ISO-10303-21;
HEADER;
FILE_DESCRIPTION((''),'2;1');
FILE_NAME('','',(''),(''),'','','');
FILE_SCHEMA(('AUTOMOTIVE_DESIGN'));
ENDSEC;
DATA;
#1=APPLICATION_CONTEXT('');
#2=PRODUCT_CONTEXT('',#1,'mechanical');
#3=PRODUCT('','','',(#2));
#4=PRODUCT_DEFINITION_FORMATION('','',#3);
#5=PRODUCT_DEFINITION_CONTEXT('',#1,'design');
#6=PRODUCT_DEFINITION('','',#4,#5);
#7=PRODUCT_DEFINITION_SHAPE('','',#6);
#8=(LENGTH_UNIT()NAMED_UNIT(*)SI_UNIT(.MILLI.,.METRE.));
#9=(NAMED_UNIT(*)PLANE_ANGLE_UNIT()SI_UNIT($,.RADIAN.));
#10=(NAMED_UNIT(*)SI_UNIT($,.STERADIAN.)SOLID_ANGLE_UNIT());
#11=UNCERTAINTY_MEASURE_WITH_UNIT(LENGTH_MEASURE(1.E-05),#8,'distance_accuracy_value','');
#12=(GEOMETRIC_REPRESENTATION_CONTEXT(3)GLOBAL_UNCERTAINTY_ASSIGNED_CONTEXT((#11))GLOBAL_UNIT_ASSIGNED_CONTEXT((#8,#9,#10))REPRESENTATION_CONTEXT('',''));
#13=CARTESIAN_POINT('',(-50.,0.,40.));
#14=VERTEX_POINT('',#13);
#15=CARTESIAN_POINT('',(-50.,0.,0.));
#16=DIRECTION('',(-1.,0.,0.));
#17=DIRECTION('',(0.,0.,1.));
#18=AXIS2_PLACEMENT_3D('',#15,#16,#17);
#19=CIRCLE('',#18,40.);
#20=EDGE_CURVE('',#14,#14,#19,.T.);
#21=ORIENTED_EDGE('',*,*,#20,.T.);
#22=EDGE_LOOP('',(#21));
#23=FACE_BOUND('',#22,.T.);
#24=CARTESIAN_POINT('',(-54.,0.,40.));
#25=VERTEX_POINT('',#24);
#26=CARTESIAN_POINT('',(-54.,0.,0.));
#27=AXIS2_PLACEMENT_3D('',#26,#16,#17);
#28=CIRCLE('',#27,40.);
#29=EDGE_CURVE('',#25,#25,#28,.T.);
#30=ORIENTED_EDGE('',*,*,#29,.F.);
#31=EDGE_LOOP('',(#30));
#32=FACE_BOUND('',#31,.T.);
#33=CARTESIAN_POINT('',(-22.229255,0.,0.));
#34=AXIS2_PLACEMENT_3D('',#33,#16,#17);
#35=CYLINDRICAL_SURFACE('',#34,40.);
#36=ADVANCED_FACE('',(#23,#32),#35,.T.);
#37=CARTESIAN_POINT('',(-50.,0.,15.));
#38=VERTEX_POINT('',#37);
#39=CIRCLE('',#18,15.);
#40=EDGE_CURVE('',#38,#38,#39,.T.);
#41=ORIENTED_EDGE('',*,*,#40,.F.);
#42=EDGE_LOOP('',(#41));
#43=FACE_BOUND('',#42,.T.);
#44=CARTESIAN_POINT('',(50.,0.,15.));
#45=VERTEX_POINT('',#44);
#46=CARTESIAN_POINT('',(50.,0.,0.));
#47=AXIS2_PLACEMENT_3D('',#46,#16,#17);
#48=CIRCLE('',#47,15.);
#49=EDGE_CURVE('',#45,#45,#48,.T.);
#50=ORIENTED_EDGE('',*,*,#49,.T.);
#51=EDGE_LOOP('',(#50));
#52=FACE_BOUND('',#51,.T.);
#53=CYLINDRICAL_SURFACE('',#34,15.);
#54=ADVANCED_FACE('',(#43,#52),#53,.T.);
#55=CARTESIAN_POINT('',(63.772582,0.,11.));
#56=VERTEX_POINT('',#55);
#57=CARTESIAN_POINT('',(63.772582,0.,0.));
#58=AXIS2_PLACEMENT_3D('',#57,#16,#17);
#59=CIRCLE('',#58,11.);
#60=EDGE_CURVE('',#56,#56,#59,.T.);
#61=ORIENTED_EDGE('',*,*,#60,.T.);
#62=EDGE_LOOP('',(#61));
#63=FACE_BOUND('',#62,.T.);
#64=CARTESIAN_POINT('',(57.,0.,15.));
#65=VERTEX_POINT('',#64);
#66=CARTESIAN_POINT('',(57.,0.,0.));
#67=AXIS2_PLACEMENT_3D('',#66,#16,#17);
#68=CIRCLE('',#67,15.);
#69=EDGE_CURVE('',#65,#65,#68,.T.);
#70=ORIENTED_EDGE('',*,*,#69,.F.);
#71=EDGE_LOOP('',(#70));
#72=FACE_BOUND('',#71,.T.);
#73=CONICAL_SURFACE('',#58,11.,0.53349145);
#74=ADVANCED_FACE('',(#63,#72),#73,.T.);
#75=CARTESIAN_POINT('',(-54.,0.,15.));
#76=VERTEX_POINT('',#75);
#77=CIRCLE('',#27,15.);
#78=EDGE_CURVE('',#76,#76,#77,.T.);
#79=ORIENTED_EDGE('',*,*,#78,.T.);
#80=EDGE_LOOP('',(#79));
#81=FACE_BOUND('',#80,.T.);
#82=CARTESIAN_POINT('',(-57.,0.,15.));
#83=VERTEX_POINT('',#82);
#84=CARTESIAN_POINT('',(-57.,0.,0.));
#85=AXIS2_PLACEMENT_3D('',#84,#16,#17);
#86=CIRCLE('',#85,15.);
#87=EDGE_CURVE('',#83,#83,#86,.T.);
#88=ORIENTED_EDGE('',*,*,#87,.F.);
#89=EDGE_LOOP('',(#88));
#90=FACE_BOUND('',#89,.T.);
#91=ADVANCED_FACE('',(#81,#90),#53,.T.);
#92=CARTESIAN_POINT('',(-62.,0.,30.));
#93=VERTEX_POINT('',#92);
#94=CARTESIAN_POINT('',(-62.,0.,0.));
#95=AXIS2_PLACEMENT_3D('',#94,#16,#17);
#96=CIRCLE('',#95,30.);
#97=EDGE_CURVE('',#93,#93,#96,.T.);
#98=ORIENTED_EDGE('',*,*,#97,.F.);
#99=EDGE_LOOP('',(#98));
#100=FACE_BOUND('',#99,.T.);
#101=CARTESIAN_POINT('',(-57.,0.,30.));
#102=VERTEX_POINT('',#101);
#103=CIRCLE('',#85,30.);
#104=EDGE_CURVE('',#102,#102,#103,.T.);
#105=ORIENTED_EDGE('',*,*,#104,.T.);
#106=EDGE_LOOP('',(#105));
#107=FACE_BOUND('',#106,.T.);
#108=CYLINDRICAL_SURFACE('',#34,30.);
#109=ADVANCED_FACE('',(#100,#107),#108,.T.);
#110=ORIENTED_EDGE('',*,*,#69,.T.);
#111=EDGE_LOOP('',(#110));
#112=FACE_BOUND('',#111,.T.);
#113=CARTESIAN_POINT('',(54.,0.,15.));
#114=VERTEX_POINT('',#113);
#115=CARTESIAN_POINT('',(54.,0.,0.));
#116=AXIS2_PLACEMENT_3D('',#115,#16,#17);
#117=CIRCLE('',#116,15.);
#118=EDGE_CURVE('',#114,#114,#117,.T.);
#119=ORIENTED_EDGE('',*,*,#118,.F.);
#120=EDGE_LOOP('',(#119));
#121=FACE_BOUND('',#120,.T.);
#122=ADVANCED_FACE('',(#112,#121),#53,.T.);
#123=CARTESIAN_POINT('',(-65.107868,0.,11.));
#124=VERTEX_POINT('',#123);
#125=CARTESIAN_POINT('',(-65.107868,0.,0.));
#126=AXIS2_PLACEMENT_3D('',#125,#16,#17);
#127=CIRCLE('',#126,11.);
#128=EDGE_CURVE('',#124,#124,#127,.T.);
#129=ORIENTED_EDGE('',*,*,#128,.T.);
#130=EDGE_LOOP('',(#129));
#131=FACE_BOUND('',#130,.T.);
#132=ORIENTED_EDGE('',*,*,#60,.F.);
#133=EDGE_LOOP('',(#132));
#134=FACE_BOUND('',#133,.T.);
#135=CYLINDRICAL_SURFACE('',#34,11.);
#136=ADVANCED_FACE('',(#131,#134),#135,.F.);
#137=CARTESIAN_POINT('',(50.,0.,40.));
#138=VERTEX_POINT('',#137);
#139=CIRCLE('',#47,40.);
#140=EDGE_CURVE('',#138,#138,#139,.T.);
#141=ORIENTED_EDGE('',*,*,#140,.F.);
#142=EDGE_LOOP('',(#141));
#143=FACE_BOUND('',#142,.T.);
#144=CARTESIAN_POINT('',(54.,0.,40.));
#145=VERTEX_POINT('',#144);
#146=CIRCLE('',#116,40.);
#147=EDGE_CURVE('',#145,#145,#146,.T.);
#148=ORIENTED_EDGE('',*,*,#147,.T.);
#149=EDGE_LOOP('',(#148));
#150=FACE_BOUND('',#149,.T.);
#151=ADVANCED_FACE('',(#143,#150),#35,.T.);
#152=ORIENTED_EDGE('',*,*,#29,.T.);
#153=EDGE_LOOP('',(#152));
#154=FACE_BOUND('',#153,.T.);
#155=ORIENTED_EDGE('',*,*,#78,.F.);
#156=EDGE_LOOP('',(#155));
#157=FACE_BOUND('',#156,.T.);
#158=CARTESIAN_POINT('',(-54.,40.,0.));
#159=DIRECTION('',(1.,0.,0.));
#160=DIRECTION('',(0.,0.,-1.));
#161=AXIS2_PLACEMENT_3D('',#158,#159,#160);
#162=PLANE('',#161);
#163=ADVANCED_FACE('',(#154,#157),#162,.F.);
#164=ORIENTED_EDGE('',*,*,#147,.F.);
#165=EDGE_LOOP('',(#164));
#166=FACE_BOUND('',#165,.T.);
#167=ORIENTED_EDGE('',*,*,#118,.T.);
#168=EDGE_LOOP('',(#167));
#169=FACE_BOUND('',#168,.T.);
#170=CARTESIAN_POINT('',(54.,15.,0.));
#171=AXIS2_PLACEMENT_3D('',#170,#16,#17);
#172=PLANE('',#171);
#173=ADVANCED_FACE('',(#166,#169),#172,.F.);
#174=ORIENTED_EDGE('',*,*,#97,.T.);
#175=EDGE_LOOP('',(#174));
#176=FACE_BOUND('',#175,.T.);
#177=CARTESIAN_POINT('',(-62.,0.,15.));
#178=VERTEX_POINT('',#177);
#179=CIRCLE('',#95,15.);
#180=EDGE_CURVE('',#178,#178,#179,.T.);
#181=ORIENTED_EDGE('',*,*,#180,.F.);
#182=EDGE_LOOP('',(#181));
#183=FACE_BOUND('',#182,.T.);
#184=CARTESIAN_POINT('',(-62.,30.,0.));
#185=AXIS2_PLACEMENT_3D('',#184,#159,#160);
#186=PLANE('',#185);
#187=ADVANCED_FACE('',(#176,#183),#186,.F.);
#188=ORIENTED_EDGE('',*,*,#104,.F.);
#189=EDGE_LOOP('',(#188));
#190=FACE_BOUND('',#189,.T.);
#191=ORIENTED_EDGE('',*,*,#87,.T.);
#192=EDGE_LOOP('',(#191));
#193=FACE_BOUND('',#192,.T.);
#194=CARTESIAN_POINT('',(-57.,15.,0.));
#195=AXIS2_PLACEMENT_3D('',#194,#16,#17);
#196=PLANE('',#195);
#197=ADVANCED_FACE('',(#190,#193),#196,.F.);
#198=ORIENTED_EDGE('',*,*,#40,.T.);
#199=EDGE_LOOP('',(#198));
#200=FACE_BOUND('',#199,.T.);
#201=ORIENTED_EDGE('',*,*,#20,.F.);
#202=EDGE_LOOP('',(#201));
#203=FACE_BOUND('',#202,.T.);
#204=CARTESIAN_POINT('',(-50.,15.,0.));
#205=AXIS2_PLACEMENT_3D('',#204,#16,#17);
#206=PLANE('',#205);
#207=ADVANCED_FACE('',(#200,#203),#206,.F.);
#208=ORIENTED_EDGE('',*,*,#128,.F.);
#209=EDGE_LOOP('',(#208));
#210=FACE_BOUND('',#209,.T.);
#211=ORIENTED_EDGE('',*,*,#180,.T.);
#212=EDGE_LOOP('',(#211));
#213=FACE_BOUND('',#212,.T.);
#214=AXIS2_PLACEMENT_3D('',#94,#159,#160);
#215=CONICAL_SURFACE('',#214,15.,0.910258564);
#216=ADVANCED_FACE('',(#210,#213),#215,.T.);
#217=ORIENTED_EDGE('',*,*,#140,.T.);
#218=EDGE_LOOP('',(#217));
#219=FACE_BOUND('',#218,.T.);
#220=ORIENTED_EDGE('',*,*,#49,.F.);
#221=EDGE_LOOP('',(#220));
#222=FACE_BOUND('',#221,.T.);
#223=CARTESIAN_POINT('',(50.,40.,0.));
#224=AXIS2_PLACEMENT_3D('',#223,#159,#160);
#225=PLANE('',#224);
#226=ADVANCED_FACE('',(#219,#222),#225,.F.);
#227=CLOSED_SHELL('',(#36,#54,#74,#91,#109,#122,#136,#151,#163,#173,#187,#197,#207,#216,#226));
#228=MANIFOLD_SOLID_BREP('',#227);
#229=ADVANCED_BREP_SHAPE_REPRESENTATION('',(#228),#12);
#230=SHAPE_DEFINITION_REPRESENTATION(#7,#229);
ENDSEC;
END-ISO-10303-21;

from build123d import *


with BuildPart() as part:
    # Sketch1 → Revolve1 (revolve)
    with BuildSketch(Plane.XY, mode=Mode.PRIVATE) as revolve1_sk:
        Polygon((63.772581868, 11), (57, 15), (54, 15), (54, 40), (50, 40), (50, 15), (-50, 15), (-50, 40), (-54, 40), (-54, 15), (-57, 15), (-57, 30), (-62, 30), (-62, 15), (-65.107867805, 11), align=None)
    revolve(revolve1_sk.sketch.rotate(Axis((-22.229254667, 0, 0), (1, 0, 0)), 90), axis=Axis((-22.229254667, 0, 0), (1, 0, 0)))


solid = part.part
